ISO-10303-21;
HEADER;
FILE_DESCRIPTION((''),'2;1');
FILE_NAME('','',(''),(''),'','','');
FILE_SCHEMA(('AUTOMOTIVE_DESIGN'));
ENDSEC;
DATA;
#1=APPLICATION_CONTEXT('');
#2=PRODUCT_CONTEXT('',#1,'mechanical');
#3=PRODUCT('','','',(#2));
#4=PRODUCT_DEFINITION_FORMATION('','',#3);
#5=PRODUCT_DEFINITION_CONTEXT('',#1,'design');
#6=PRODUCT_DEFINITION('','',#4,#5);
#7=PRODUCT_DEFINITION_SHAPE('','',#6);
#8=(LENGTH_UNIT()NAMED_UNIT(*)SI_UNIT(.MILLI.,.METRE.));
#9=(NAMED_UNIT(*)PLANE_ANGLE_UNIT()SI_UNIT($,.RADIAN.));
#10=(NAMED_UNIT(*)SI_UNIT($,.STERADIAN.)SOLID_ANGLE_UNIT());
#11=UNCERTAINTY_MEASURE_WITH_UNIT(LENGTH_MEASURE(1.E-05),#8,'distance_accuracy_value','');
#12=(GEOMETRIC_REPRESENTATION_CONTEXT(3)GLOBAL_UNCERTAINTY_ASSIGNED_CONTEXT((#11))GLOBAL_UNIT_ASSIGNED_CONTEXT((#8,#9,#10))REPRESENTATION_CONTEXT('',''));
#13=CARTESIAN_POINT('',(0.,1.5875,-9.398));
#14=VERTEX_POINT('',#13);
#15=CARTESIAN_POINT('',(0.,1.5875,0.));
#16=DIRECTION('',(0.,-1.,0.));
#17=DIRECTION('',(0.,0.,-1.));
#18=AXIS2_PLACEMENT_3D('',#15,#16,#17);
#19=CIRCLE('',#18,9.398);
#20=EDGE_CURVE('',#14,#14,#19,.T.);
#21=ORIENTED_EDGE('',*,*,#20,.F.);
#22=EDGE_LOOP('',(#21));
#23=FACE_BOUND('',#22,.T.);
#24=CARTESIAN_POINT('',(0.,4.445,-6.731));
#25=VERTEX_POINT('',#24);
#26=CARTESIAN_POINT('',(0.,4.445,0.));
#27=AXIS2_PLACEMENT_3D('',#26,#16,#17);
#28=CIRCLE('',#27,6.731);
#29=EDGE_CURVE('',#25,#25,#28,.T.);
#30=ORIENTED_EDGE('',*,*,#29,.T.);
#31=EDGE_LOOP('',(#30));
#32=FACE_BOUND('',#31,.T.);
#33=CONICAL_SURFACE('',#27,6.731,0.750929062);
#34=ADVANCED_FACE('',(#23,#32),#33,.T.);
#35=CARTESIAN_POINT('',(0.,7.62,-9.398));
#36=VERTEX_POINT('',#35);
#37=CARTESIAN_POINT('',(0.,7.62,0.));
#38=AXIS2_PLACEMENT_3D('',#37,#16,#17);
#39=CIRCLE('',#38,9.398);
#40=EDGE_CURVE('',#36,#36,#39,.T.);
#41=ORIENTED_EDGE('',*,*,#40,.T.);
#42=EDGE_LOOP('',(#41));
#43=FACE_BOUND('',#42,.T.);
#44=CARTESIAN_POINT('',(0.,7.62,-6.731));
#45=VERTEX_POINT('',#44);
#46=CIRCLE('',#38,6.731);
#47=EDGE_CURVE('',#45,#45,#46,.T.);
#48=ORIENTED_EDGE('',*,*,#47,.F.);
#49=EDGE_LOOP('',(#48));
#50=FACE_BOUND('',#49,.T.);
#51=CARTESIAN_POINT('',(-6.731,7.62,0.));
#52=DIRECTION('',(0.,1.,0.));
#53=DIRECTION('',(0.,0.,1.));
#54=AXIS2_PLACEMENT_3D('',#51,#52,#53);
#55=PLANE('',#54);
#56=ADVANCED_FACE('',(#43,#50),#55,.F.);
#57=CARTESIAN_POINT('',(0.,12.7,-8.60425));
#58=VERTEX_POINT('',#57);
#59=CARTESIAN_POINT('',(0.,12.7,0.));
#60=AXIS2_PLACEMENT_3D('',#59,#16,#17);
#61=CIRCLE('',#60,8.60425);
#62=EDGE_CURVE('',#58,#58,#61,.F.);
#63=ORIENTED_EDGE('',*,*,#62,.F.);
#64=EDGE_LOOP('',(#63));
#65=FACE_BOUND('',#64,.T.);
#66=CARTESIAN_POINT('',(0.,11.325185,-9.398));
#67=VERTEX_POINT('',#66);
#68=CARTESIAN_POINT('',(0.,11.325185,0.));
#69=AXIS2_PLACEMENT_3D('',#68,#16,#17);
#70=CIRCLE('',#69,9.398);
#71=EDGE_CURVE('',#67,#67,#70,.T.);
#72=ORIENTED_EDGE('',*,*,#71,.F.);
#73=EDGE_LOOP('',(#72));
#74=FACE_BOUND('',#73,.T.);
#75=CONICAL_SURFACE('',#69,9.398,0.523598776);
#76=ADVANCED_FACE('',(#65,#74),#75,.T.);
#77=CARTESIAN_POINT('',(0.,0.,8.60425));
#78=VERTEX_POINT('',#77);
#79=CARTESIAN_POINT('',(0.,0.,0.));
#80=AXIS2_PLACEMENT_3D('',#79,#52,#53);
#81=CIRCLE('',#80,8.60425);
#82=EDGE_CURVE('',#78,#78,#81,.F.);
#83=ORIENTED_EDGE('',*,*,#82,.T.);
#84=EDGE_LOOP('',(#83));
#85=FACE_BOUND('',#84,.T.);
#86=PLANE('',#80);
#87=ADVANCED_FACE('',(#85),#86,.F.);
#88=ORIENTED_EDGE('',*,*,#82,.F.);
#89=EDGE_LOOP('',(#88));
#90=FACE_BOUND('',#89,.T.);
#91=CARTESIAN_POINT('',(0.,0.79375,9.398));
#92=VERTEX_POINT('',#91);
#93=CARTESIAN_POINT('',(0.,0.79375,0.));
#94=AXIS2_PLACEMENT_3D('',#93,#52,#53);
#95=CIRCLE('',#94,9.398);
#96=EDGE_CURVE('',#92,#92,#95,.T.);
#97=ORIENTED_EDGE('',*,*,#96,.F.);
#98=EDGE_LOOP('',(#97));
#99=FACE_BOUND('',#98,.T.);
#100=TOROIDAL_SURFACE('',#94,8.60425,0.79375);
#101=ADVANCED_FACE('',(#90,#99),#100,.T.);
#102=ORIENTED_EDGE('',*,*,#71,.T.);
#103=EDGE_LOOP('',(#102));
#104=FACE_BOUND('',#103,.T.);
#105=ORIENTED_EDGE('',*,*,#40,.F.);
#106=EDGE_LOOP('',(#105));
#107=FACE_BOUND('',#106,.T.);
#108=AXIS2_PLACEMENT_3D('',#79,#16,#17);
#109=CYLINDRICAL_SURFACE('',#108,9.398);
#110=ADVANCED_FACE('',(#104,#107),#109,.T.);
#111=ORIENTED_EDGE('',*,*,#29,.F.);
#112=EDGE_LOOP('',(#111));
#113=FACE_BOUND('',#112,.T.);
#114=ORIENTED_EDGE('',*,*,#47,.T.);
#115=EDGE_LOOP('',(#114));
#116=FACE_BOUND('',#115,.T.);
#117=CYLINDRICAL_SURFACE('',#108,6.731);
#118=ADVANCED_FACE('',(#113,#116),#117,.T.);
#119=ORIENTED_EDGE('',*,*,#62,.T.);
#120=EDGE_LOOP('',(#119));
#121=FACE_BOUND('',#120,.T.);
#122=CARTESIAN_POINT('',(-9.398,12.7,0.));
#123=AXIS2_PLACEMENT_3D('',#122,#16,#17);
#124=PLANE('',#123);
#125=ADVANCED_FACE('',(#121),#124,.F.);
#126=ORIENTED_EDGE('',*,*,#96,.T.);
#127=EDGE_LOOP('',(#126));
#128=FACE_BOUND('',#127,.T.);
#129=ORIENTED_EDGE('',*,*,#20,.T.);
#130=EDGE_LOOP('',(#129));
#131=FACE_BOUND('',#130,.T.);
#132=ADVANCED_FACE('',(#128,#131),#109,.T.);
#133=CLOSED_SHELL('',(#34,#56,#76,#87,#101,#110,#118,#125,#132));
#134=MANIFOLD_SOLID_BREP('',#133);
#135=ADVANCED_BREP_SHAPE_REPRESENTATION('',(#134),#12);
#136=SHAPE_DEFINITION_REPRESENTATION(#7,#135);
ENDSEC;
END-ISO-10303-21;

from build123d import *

# Parameters (mm, degrees)
FILLET1_R      = 0.79375
CHAMFER1_SIZE  = 0.79375
CHAMFER1_SIZE2 = 1.374815329


with BuildPart() as part:
    # Sketch1 → Revolve1 (revolve)
    with BuildSketch(Plane.XY):
        Polygon((0, 0), (-9.398, 0), (-9.398, 1.5875), (-6.731, 4.445), (-6.731, 7.62), (-9.398, 7.62), (-9.398, 12.7), (0, 12.7), align=None)
    revolve(axis=Axis((0, 0, 0), (0, 1, 0)))

    # Fillet1
    fillet1_edges = [part.edges().sort_by_distance(p)[0] for p in [
        (9.398, 0, 0),
    ]]
    fillet(fillet1_edges, radius=FILLET1_R)

    # Chamfer1
    chamfer1_edges = [part.edges().sort_by_distance(p)[0] for p in [
        (9.398, 12.7, 0),
    ]]
    chamfer1_side = [part.faces().sort_by_distance(p)[0] for p in [
        (0, 12.7, 0),
    ]]
    chamfer(chamfer1_edges, length=CHAMFER1_SIZE, length2=CHAMFER1_SIZE2, reference=chamfer1_side[0])


solid = part.part
